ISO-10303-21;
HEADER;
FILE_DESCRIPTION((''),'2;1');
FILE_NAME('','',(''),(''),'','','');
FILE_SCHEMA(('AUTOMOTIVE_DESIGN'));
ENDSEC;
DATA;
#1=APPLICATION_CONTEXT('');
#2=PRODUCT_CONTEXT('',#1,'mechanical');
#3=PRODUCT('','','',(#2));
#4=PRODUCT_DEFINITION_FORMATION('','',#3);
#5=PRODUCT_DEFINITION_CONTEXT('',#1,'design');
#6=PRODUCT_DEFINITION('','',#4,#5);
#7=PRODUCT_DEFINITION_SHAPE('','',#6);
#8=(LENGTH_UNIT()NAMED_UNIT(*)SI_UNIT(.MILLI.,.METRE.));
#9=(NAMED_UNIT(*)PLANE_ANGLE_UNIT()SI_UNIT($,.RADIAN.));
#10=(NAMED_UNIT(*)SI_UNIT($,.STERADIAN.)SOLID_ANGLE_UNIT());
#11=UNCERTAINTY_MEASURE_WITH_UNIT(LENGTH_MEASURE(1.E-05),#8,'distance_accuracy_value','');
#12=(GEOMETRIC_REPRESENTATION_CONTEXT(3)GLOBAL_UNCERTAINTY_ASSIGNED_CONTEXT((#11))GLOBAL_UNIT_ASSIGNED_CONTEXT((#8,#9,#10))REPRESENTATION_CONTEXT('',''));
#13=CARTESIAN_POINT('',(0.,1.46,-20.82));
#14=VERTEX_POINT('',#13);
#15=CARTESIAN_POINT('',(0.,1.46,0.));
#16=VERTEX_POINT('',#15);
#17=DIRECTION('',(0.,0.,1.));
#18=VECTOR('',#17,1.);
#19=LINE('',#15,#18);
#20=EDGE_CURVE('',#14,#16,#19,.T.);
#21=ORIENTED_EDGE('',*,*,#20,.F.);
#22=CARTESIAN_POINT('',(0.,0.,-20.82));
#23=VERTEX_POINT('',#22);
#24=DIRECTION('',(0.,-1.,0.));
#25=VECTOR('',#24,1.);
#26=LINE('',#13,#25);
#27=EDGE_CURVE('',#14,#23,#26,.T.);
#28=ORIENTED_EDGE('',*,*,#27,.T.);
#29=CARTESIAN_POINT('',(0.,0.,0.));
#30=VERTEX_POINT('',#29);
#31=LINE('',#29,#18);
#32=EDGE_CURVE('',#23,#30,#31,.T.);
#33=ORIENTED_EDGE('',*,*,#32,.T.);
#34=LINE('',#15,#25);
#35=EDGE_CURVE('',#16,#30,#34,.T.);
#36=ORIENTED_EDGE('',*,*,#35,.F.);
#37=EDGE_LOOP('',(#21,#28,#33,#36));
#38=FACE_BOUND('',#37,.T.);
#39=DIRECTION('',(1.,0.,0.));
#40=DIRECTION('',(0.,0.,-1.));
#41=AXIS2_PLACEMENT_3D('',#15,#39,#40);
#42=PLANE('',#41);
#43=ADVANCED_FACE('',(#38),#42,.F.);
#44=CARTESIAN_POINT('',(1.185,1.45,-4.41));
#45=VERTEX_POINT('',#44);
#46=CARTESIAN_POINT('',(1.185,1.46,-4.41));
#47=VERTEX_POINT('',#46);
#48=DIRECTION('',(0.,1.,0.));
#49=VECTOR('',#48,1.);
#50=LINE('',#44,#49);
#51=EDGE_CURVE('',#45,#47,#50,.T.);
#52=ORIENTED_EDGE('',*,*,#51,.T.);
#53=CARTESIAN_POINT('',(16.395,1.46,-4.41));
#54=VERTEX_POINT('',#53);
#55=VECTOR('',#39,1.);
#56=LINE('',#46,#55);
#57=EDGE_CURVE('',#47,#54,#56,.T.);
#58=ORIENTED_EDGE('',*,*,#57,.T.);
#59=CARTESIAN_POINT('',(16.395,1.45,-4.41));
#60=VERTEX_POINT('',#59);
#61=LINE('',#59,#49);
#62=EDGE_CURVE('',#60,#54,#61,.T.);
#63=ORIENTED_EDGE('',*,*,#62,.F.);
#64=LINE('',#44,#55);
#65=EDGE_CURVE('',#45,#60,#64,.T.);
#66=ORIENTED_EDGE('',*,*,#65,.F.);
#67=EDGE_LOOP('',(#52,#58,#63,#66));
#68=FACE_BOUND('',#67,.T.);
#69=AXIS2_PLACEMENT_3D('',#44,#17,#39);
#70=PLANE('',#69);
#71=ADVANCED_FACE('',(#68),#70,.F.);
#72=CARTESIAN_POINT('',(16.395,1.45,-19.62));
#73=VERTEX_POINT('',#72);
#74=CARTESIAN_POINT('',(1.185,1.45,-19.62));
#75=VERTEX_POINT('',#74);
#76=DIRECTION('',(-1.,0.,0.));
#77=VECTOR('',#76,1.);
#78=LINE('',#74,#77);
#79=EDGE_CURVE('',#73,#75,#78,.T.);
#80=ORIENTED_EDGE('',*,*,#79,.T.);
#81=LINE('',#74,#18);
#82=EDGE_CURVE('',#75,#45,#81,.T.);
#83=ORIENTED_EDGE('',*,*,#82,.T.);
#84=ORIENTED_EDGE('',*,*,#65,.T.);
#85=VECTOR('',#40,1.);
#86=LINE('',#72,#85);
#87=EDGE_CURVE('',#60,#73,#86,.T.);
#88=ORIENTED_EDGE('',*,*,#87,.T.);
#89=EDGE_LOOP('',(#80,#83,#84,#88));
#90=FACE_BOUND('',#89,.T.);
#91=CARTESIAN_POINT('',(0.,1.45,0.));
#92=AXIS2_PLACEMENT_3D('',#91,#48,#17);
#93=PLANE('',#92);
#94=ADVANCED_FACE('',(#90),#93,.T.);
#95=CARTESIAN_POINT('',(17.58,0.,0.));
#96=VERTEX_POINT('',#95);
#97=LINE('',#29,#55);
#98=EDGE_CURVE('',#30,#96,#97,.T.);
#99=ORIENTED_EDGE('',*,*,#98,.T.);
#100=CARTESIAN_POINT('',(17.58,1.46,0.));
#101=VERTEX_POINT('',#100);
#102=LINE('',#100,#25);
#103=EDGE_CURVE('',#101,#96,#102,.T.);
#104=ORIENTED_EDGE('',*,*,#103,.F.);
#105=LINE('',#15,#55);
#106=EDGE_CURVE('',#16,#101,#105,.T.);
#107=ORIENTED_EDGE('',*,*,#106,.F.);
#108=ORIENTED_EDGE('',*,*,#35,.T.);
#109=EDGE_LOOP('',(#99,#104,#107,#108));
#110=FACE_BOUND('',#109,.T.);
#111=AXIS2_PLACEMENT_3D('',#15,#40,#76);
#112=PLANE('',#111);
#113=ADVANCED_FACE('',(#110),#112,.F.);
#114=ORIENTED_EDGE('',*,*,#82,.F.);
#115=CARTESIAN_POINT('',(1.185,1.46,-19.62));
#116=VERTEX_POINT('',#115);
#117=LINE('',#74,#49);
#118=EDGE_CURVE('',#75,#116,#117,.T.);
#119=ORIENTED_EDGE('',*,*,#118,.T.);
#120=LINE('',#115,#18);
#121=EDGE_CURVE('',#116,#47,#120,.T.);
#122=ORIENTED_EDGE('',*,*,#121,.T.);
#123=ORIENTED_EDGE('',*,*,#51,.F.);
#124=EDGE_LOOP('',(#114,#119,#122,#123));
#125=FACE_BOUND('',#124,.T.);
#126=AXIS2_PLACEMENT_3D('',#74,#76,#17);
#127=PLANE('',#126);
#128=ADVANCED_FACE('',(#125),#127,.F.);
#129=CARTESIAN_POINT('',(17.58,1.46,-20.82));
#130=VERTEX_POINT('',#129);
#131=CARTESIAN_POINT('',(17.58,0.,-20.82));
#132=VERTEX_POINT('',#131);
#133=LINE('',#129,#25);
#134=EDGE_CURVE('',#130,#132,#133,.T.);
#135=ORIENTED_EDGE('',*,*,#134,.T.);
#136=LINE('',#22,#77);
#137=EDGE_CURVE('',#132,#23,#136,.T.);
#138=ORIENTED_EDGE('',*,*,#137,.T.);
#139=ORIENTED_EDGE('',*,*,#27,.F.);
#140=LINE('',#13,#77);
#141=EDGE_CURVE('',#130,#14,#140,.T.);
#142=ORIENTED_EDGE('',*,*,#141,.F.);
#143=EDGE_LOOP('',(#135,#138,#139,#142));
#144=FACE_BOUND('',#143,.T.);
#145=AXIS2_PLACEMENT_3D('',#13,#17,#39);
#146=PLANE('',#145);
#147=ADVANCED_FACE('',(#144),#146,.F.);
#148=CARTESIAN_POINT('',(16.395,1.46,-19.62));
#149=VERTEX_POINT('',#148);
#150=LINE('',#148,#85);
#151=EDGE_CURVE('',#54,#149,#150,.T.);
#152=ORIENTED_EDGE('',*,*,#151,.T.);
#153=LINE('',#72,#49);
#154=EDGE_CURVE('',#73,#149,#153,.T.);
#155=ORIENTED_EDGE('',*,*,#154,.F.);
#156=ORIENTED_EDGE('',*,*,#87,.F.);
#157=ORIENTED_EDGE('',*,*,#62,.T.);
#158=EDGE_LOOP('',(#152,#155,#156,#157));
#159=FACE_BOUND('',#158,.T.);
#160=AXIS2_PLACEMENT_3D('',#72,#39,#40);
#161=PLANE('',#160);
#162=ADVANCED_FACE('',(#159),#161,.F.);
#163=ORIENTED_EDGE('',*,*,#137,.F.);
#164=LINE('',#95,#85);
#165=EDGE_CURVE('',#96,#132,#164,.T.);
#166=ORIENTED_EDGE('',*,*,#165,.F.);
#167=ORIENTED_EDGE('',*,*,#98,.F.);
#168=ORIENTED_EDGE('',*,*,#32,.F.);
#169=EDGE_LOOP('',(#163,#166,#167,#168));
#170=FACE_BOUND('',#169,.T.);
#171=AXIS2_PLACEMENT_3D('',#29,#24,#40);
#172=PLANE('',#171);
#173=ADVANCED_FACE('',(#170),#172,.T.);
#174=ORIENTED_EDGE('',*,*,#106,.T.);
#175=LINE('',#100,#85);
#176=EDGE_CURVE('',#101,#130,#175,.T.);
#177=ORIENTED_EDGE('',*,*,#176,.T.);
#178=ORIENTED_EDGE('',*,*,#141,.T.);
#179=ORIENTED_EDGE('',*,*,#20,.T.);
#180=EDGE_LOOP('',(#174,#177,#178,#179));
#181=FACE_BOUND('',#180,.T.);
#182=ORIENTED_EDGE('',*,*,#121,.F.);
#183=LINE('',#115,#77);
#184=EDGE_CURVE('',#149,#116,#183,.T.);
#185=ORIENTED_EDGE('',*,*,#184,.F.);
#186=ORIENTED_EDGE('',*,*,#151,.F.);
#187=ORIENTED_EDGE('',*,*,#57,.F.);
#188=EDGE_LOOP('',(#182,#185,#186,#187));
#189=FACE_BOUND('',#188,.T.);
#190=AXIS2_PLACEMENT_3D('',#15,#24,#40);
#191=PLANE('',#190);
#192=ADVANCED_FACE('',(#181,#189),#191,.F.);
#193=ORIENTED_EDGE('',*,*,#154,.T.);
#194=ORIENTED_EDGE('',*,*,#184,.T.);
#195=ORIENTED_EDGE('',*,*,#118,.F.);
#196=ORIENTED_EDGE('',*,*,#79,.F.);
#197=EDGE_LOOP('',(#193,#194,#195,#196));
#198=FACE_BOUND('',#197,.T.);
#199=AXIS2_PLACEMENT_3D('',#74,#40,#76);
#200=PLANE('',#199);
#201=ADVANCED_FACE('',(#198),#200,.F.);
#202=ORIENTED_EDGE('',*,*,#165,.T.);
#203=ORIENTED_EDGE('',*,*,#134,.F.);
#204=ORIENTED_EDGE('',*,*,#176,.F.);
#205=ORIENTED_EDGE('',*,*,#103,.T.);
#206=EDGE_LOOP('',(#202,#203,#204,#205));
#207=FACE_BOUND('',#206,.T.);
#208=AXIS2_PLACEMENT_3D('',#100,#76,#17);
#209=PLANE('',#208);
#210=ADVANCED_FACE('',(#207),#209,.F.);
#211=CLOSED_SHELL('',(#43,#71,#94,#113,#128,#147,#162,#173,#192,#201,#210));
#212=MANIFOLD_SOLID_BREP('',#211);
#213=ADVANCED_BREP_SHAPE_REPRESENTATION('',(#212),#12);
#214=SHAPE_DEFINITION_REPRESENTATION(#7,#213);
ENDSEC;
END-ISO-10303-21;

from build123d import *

# Parameters (mm, degrees)
SKETCH_1_W          = 17.58
SKETCH_1_H          = 20.82
EXTRUDE_1_DEPTH     = 1.46
SKETCH_2_W          = 15.21
SKETCH_2_H          = 15.21
CUT_EXTRUDE_1_DEPTH = 0.01


with BuildPart() as part:
    # 草图1 → 凸台-拉伸1 (new body)
    with BuildSketch(Plane(origin=(0, 0, 0), x_dir=(1, 0, 0), z_dir=(0, 1, 0))):
        with Locations((8.79, 10.41)):
            Rectangle(SKETCH_1_W, SKETCH_1_H)
    extrude(amount=EXTRUDE_1_DEPTH)

    # 草图2 → 切除-拉伸1 (cut)
    with BuildSketch(Plane(origin=(0, 1.46, 0), x_dir=(1, 0, 0), z_dir=(0, 1, 0))):
        with Locations((8.79, 12.015)):
            Rectangle(SKETCH_2_W, SKETCH_2_H)
    extrude(amount=-CUT_EXTRUDE_1_DEPTH, mode=Mode.SUBTRACT)


solid = part.part
